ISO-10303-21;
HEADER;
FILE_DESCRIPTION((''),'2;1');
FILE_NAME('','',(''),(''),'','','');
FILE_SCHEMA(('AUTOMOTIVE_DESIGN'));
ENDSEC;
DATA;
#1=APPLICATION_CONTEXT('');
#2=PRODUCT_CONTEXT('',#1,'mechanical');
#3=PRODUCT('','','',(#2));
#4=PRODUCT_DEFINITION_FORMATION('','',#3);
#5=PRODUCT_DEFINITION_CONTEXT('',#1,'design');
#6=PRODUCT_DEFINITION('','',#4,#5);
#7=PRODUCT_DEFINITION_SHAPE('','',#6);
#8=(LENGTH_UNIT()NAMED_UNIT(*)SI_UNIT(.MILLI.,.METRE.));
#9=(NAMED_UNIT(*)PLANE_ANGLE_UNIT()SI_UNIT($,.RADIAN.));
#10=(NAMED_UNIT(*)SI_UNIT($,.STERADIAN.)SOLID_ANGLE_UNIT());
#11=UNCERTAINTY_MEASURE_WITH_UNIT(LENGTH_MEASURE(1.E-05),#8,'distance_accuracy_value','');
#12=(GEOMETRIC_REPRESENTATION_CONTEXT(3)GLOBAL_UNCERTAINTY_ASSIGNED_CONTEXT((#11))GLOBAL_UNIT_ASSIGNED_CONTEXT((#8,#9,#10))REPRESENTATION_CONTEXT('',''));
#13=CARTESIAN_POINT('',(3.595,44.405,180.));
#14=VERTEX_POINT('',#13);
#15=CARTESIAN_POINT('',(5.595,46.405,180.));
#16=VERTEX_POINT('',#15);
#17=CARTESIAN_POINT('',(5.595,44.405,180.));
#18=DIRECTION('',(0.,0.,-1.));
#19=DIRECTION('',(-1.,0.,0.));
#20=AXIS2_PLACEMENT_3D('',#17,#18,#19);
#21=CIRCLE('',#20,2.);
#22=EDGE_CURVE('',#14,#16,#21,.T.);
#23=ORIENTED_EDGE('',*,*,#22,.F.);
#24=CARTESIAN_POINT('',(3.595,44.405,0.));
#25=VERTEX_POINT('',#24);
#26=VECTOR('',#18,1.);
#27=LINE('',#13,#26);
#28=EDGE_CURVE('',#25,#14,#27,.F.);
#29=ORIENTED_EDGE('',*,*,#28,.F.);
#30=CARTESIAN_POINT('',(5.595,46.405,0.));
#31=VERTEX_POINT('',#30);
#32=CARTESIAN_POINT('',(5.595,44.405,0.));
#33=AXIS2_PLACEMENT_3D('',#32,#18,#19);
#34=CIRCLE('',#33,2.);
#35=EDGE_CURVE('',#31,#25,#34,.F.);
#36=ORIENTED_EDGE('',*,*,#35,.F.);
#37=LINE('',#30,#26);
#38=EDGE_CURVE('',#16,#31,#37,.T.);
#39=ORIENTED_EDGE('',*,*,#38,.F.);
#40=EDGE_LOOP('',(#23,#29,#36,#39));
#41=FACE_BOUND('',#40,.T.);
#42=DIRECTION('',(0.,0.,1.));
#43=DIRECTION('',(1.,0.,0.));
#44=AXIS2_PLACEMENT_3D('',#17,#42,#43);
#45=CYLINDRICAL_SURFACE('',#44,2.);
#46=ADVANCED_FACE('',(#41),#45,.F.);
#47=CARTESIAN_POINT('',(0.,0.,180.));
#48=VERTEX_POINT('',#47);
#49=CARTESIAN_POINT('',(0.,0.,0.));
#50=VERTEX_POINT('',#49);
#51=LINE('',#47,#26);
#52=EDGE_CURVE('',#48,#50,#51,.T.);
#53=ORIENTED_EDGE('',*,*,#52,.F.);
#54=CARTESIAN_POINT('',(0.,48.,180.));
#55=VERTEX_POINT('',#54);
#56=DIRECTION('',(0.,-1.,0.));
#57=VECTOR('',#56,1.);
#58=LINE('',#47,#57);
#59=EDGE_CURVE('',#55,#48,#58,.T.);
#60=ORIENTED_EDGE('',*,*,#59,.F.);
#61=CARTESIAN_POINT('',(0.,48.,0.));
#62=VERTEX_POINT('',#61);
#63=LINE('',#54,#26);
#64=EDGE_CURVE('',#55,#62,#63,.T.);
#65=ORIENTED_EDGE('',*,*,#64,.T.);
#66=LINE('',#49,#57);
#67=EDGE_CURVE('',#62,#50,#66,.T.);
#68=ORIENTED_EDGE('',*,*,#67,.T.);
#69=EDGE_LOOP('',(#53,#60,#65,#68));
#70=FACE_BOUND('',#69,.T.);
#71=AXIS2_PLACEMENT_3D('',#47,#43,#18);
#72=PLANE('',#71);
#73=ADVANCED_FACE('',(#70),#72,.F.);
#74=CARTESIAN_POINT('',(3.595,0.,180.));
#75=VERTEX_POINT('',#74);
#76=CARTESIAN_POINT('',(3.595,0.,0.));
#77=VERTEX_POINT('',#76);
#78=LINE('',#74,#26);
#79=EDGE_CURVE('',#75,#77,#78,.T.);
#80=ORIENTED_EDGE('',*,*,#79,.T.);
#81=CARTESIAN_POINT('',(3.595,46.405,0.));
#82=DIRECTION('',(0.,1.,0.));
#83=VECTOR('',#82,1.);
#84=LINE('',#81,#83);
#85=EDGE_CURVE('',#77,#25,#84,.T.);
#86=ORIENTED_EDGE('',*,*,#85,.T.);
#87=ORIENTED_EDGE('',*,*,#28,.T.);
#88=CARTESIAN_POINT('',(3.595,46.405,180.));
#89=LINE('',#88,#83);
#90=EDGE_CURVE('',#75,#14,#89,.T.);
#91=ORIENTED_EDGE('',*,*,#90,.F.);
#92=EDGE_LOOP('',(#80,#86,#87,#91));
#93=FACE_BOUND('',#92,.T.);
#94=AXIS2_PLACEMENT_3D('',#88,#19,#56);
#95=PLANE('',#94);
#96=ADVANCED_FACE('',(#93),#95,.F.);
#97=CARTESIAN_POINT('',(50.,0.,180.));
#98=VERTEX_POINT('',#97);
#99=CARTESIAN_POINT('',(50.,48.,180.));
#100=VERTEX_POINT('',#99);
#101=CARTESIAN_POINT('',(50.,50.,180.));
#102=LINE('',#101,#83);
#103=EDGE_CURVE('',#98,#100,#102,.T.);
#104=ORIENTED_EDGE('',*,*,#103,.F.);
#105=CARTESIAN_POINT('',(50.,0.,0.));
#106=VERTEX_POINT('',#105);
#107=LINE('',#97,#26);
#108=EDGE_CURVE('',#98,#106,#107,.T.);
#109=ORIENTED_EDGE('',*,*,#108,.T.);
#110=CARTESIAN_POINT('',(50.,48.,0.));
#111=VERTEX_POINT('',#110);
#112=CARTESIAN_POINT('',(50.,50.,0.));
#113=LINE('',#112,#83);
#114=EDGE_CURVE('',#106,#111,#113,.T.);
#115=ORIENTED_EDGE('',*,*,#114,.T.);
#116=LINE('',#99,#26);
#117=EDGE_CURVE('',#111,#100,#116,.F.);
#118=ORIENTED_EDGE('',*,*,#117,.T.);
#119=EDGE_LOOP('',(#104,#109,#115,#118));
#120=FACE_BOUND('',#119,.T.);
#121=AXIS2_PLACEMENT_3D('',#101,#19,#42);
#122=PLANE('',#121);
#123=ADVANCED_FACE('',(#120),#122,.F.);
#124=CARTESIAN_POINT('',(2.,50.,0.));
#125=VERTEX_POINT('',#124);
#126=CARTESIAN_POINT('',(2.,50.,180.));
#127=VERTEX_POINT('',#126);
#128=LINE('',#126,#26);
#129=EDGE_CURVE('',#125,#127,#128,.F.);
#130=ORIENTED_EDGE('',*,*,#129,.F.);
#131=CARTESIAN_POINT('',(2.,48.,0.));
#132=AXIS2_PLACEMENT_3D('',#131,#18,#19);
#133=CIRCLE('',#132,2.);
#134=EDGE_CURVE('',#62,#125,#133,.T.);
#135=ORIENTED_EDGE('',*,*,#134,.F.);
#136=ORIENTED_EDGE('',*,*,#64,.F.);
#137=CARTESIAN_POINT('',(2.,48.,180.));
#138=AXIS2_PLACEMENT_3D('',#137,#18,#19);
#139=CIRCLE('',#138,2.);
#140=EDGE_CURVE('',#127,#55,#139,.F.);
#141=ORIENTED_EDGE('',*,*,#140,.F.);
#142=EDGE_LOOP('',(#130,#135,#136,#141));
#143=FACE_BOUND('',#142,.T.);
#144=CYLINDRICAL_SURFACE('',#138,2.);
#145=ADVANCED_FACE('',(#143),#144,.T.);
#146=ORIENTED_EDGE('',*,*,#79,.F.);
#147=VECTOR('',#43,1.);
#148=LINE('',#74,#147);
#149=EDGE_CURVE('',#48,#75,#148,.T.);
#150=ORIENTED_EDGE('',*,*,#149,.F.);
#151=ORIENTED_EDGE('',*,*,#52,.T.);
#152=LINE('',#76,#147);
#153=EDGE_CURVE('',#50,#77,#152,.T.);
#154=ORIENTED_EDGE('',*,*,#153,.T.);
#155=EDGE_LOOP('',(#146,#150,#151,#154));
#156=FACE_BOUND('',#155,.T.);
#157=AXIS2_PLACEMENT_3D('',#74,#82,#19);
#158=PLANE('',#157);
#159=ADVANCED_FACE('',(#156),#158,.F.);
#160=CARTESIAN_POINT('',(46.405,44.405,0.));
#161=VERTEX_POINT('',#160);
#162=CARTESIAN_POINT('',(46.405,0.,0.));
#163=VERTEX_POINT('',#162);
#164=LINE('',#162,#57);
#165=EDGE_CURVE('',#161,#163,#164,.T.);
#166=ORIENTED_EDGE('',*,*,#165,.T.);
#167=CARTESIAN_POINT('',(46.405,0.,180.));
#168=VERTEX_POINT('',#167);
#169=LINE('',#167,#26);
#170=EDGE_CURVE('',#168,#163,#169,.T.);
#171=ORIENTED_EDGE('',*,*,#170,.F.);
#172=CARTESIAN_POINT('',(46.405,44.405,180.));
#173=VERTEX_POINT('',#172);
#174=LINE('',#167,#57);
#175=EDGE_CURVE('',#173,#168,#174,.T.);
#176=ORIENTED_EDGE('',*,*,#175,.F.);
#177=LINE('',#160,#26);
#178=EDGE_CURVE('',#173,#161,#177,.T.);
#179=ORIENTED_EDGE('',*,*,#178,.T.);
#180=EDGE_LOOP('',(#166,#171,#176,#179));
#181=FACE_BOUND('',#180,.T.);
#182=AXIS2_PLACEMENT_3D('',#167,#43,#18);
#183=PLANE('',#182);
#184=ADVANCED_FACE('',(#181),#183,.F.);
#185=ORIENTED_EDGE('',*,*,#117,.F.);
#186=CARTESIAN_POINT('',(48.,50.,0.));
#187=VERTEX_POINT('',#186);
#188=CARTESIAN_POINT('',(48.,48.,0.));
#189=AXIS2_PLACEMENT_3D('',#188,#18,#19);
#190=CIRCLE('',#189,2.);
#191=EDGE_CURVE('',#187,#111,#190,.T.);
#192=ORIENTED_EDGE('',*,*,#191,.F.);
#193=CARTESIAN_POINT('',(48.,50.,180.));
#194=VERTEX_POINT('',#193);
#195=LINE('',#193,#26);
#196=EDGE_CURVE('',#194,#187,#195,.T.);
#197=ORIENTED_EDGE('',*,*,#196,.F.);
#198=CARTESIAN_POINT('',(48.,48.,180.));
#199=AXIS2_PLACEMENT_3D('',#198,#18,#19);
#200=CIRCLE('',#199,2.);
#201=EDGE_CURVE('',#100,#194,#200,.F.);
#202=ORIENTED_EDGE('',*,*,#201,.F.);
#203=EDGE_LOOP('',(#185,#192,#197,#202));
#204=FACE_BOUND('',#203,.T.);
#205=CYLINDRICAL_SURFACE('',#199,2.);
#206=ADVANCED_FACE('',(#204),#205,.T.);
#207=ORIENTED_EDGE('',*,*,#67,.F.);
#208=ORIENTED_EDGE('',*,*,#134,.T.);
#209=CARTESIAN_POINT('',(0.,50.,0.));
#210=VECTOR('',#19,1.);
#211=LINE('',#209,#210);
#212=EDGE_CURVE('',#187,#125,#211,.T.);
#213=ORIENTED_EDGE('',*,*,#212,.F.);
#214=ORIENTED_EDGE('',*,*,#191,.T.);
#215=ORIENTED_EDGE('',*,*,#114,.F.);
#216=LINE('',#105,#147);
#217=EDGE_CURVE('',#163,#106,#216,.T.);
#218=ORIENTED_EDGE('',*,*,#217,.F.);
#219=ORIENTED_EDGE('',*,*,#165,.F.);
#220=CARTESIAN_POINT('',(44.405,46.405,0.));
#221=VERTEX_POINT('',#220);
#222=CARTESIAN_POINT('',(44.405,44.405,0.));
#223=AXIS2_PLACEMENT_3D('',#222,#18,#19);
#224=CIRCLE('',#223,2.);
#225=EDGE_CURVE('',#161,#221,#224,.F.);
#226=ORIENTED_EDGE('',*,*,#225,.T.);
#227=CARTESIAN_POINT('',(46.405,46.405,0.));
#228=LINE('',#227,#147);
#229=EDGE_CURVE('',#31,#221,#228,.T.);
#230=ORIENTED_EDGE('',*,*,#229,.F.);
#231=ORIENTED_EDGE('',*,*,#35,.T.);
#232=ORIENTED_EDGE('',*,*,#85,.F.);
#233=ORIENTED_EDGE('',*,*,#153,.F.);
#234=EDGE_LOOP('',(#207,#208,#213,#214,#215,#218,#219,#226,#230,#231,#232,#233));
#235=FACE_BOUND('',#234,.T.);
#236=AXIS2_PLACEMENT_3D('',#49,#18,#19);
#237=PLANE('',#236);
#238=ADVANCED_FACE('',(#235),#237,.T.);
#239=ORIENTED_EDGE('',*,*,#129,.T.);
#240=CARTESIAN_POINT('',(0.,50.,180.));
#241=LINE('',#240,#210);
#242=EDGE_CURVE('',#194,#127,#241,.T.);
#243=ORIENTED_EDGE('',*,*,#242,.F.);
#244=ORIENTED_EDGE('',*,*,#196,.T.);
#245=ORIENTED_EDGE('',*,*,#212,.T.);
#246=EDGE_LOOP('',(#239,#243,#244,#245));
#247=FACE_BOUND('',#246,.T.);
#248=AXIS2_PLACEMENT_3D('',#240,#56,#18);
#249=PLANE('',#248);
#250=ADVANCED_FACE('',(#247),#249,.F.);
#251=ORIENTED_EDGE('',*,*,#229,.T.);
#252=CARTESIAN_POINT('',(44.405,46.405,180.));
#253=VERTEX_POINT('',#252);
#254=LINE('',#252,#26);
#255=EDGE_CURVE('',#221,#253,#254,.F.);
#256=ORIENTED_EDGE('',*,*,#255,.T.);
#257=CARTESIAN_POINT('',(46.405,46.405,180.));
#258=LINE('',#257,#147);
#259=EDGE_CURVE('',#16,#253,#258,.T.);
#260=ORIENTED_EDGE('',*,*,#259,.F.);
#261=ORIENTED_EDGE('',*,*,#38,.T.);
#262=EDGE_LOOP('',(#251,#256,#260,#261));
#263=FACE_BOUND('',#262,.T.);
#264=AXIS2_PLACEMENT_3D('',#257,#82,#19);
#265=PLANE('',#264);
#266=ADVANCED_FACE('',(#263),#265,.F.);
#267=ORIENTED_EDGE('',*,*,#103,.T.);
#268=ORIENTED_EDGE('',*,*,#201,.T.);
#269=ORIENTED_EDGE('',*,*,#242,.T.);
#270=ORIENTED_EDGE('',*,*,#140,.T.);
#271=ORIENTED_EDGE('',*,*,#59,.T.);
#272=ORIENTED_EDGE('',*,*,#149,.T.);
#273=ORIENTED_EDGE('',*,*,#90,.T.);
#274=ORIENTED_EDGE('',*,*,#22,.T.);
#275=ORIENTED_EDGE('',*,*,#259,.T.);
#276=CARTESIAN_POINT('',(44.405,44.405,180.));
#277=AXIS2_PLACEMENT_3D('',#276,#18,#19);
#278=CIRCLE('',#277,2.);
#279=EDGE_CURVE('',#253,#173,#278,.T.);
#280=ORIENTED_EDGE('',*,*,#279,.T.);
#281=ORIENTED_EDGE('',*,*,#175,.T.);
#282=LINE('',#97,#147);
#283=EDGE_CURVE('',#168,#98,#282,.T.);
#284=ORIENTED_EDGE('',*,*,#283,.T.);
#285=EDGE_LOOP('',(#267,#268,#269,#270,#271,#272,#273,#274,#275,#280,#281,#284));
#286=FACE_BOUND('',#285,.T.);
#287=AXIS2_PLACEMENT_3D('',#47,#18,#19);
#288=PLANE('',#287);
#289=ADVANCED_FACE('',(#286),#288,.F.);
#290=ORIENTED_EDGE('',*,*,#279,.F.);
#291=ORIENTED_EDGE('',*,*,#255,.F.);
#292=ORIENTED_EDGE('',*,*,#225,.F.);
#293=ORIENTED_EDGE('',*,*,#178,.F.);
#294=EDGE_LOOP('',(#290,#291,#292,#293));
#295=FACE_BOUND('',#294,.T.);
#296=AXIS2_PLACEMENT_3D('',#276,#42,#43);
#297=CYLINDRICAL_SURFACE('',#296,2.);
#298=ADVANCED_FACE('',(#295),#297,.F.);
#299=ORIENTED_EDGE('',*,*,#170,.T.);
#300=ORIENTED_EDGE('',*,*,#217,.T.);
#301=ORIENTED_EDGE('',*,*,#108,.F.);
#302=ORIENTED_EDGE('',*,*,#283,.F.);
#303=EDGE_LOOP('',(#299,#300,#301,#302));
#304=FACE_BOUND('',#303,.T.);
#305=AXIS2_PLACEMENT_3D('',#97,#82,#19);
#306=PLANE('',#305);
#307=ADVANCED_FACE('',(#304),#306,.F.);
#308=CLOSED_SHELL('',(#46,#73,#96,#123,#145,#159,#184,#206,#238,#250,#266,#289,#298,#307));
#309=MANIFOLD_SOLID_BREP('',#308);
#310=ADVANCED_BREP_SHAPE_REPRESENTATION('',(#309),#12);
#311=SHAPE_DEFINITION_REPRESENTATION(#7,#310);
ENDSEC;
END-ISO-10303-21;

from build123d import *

# Parameters (mm, degrees)
BOSS_EXTRUDE1_DEPTH = 180
FILLET1_R           = 2


with BuildPart() as part:
    # Sketch1 → Boss-Extrude1 (new body)
    with BuildSketch(Plane.XY):
        Polygon((0, 0), (0, 50), (50, 50), (50, 0), (46.405, 0), (46.405, 46.405), (3.595, 46.405), (3.595, 0), align=None)
    extrude(amount=BOSS_EXTRUDE1_DEPTH)

    # Fillet1
    fillet1_edges = [part.edges().sort_by_distance(p)[0] for p in [
        (0, 50, 90),
        (50, 50, 90),
        (46.405, 46.405, 90),
        (3.595, 46.405, 90),
    ]]
    fillet(fillet1_edges, radius=FILLET1_R)


solid = part.part
